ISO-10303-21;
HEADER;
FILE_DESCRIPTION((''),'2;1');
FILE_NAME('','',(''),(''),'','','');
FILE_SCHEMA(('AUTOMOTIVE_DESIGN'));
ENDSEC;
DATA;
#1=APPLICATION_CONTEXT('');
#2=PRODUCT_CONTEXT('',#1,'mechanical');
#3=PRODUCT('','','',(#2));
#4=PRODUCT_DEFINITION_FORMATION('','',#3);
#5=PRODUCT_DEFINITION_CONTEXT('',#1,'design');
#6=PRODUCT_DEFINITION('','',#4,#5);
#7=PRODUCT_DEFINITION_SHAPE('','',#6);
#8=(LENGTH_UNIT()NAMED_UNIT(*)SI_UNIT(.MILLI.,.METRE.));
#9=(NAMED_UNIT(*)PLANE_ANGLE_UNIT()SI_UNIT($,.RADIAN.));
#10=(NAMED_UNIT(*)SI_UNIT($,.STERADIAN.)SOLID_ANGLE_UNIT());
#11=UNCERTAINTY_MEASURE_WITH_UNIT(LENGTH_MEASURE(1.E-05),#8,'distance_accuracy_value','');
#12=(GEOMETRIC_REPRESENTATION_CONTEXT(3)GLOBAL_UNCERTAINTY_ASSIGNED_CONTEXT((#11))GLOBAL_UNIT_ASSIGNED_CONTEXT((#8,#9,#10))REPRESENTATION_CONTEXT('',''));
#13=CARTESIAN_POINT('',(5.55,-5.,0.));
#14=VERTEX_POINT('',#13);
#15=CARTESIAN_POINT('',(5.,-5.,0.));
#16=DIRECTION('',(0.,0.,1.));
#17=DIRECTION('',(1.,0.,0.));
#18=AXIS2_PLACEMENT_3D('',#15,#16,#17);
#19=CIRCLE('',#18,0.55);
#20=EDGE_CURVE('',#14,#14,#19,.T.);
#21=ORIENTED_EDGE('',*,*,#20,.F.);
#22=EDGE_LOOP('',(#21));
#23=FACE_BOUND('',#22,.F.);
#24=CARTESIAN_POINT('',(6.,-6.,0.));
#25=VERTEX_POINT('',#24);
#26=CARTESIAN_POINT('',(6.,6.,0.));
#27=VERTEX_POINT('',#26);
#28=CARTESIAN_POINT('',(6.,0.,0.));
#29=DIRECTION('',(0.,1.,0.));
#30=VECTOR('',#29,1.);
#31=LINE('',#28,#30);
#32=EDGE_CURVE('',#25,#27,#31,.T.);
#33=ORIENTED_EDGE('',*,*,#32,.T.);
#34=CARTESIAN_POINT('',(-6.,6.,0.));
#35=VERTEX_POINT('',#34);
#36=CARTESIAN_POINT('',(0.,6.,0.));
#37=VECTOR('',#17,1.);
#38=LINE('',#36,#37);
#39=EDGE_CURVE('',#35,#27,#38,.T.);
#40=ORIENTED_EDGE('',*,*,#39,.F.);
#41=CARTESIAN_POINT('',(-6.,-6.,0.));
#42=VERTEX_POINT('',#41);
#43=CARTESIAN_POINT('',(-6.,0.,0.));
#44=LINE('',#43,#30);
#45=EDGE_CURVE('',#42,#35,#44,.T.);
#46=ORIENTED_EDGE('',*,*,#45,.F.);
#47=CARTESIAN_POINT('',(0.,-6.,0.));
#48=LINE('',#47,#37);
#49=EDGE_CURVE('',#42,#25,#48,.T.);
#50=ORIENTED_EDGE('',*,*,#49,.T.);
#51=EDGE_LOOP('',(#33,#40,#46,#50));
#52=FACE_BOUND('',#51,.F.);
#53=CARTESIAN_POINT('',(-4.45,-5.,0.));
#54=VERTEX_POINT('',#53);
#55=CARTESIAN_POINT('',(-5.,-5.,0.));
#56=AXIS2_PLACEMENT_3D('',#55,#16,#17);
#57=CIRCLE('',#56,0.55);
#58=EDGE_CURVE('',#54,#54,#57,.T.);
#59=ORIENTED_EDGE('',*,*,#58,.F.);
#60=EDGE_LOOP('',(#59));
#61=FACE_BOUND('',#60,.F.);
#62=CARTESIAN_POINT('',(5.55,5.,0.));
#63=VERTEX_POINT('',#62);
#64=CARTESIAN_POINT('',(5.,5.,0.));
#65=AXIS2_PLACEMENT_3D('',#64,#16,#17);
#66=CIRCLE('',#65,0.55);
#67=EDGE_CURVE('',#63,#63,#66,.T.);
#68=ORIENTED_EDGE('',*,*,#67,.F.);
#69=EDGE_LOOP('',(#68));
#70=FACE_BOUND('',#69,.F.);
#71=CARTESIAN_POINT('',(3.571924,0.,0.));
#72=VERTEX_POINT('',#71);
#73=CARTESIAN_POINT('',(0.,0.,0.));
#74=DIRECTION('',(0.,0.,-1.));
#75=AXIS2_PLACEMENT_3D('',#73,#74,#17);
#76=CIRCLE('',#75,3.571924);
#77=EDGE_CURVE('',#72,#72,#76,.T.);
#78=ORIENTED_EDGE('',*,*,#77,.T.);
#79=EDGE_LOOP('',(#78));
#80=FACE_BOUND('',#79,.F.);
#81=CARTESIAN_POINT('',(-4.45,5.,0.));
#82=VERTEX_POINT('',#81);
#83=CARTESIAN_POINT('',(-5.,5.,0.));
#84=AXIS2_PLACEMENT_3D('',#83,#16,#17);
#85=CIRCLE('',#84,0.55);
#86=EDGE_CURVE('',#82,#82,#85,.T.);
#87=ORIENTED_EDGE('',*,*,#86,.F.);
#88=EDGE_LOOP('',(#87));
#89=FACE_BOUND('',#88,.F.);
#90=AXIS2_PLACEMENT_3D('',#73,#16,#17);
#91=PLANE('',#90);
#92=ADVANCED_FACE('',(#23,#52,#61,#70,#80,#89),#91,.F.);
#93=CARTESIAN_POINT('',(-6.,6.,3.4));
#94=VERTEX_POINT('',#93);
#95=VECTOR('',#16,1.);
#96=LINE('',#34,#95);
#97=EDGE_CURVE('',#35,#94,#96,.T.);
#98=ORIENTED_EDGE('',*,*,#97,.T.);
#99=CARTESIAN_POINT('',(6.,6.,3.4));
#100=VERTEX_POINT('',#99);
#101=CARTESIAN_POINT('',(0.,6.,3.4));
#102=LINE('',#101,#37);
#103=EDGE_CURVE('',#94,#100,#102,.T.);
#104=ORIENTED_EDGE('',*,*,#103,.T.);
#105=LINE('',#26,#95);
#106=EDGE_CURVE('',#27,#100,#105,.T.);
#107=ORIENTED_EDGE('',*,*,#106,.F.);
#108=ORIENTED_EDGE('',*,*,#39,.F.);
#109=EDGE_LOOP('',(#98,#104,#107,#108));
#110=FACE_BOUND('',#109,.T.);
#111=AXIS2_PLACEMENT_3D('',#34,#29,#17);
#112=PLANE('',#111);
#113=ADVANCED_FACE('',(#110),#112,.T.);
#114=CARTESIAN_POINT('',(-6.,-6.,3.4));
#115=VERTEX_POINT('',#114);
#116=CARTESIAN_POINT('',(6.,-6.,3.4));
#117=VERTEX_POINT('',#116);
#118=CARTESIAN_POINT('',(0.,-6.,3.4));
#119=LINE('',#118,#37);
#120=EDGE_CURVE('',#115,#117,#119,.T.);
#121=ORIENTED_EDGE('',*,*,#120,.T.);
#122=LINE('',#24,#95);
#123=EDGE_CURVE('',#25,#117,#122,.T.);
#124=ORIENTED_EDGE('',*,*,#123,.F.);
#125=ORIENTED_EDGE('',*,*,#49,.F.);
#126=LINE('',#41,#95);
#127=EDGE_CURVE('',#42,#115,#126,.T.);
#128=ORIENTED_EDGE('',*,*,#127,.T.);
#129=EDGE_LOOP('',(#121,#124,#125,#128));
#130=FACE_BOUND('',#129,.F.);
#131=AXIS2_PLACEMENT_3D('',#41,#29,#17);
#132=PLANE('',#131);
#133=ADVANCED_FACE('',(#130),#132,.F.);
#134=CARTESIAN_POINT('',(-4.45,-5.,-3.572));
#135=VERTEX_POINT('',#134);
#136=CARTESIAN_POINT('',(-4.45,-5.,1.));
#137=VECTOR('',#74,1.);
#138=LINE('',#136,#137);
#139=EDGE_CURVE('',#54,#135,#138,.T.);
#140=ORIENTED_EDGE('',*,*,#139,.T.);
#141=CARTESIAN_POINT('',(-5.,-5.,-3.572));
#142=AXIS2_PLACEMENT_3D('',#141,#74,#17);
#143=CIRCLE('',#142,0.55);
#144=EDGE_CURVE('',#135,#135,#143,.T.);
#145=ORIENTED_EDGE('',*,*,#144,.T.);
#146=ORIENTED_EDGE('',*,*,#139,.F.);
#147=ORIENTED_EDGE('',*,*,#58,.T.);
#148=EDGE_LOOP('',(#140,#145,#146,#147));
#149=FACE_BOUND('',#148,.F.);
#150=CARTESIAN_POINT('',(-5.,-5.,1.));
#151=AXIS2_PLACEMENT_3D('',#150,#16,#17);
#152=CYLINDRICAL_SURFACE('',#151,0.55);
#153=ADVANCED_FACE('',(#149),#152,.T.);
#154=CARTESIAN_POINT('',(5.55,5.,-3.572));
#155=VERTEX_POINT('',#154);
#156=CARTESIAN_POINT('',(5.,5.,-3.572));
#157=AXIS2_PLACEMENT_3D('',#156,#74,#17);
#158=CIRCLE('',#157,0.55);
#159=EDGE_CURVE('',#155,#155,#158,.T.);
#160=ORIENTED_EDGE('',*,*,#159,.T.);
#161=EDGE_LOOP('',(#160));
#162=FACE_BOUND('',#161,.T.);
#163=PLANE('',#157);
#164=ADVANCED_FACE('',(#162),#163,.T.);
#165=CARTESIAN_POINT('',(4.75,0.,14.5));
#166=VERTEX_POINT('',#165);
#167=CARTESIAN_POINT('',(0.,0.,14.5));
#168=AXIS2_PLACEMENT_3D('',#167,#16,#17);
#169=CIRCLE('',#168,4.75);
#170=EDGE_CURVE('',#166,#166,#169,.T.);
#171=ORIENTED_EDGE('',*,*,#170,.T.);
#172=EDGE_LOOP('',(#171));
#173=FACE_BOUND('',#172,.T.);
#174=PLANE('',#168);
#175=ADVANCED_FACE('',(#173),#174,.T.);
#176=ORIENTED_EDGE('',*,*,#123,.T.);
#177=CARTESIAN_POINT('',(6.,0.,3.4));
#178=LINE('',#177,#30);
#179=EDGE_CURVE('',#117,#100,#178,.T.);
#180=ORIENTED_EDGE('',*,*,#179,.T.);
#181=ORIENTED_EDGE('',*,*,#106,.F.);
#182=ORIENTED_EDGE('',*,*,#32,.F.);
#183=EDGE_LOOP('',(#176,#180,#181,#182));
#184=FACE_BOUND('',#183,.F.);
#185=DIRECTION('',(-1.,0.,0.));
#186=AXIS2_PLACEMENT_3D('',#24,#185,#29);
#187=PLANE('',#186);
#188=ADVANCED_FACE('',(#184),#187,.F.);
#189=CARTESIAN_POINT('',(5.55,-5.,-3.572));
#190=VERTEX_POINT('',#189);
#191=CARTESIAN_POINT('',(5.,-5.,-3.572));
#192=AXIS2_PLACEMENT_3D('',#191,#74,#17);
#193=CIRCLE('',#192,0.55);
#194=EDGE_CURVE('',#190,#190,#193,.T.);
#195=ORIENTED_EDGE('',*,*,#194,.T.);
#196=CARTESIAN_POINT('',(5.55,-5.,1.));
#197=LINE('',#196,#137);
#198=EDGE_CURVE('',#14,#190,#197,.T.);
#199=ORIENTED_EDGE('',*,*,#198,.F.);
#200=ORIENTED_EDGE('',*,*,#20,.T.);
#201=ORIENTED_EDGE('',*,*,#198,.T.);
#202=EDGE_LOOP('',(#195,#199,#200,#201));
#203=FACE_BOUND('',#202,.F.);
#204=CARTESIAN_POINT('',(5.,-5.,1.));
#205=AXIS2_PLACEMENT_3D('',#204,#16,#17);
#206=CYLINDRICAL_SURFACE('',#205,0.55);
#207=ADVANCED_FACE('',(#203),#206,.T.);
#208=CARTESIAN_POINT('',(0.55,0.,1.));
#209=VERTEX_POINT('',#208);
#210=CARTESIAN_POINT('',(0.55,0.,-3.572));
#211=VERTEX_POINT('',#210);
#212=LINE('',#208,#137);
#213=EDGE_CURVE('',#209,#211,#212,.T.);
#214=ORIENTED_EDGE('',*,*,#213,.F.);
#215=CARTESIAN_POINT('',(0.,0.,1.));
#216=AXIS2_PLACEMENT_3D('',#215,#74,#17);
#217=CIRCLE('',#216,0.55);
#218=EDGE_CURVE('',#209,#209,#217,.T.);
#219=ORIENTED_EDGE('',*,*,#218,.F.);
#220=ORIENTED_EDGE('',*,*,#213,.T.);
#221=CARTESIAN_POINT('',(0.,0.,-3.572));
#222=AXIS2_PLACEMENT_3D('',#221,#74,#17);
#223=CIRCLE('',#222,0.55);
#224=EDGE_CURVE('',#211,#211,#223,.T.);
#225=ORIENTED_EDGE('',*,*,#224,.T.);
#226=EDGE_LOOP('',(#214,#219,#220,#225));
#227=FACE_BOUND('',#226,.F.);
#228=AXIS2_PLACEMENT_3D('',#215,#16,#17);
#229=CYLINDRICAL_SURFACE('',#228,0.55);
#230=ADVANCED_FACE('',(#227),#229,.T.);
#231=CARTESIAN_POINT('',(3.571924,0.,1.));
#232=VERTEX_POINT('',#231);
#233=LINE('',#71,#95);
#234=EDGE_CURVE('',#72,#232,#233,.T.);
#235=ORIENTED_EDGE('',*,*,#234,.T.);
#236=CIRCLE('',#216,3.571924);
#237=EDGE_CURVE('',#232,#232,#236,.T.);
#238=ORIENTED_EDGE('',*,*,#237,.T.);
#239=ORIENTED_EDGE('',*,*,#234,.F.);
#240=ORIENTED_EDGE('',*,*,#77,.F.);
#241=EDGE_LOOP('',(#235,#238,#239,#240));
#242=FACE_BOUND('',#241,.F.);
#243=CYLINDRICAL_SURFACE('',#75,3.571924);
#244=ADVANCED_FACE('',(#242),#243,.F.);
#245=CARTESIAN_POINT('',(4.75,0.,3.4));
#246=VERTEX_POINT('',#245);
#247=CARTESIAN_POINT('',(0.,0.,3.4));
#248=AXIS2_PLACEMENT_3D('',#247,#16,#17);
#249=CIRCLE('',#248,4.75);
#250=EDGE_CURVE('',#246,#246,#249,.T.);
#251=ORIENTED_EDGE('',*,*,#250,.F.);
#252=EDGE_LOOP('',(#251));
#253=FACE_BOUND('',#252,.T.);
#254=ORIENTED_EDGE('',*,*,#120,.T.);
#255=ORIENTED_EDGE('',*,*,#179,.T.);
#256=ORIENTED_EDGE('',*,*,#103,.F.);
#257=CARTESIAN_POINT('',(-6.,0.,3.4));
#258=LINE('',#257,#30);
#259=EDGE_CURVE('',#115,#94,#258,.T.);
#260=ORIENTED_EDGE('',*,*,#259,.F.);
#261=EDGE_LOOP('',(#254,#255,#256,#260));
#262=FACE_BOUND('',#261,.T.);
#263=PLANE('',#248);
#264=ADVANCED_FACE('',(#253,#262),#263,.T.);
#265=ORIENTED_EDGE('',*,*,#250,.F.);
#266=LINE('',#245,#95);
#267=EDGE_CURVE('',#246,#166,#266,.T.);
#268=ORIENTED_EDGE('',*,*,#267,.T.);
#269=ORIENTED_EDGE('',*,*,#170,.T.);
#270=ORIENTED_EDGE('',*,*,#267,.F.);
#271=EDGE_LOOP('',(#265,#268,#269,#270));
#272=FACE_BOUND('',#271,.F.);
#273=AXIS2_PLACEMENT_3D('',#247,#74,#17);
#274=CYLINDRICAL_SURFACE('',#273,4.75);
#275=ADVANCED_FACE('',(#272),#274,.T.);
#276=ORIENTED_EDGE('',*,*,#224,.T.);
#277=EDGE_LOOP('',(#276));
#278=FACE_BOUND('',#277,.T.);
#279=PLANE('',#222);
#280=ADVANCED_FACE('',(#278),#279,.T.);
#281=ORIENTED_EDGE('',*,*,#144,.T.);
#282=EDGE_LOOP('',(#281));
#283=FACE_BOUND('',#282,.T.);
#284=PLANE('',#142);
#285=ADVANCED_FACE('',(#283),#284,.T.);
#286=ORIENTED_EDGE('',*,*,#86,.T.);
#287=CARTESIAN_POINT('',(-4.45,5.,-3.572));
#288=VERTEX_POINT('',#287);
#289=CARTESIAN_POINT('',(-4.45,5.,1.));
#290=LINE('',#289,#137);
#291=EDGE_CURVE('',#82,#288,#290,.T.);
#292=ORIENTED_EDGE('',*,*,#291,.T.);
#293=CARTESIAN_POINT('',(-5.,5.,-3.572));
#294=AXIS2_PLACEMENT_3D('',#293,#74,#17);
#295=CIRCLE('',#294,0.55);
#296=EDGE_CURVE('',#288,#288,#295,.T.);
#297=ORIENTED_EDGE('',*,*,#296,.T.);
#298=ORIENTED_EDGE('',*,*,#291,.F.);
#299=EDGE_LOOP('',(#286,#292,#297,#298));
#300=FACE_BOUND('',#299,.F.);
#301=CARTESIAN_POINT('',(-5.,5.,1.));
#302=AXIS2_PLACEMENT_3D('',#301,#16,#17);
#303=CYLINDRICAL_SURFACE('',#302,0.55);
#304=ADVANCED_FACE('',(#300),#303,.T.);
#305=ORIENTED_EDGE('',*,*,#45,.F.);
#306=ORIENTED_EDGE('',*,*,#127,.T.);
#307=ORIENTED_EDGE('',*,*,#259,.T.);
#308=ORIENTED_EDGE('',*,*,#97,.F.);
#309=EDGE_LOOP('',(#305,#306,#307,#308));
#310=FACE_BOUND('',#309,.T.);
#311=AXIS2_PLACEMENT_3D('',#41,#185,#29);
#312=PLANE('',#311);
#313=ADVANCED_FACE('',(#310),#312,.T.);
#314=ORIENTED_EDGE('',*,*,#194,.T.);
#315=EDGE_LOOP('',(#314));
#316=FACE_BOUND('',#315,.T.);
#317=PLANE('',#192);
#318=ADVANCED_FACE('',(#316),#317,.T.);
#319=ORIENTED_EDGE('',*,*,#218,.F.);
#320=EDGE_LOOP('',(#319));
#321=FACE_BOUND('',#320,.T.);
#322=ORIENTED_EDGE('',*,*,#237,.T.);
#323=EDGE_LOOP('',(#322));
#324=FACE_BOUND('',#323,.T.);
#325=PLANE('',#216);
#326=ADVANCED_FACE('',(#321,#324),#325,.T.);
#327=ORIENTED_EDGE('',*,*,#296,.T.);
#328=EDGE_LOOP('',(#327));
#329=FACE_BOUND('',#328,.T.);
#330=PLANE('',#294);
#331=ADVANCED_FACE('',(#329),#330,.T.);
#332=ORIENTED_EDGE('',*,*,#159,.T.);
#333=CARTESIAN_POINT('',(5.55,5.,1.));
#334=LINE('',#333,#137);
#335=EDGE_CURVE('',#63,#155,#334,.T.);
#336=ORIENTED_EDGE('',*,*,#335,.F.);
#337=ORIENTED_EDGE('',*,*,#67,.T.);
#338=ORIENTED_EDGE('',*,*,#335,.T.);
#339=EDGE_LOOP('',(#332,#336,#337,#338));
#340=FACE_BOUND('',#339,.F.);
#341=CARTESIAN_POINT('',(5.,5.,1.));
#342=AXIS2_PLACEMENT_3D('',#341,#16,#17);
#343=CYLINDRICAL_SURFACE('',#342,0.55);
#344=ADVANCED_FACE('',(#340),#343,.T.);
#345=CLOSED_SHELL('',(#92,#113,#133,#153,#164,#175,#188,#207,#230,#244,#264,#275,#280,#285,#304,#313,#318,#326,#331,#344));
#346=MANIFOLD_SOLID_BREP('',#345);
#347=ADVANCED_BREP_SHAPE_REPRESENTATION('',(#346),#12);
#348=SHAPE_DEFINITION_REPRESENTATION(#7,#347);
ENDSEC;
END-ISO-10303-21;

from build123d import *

# Parameters (mm, degrees)
SKETCH_W     = 12
SKETCH_H     = 12
PAD_DEPTH    = 3.4
SKETCH001_R  = 4.75
PAD001_DEPTH = 11.1
SKETCH002_R  = 3.571924
POCKET_DEPTH = 1
SKETCH003_R  = 0.55
PAD002_DEPTH = 4.572


with BuildPart() as part:
    # Sketch → Pad (new body)
    with BuildSketch(Plane.XY):
        Rectangle(SKETCH_W, SKETCH_H)
    extrude(amount=PAD_DEPTH)

    # Sketch001 (on Face6 of Pad) → Pad001 (join)
    with BuildSketch(Plane.XY.offset(3.4)):
        Circle(SKETCH001_R)
    extrude(amount=PAD001_DEPTH)

    # Sketch002 (on Face4 of Pad001) → Pocket (cut)
    with BuildSketch(Plane(origin=(0, 0, 0), x_dir=(1, 0, 0), z_dir=(0, 0, -1))):
        Circle(SKETCH002_R)
    extrude(amount=-POCKET_DEPTH, mode=Mode.SUBTRACT)

    # Sketch003 (on Face9 of Pocket) → Pad002 (join)
    with BuildSketch(Plane(origin=(0, 0, 1), x_dir=(1, 0, 0), z_dir=(0, 0, -1))):
        Circle(SKETCH003_R)
        with Locations((-5, 5)):
            Circle(SKETCH003_R)
        with Locations((5, 5)):
            Circle(SKETCH003_R)
        with Locations((5, -5)):
            Circle(SKETCH003_R)
        with Locations((-5, -5)):
            Circle(SKETCH003_R)
    extrude(amount=PAD002_DEPTH)


solid = part.part
